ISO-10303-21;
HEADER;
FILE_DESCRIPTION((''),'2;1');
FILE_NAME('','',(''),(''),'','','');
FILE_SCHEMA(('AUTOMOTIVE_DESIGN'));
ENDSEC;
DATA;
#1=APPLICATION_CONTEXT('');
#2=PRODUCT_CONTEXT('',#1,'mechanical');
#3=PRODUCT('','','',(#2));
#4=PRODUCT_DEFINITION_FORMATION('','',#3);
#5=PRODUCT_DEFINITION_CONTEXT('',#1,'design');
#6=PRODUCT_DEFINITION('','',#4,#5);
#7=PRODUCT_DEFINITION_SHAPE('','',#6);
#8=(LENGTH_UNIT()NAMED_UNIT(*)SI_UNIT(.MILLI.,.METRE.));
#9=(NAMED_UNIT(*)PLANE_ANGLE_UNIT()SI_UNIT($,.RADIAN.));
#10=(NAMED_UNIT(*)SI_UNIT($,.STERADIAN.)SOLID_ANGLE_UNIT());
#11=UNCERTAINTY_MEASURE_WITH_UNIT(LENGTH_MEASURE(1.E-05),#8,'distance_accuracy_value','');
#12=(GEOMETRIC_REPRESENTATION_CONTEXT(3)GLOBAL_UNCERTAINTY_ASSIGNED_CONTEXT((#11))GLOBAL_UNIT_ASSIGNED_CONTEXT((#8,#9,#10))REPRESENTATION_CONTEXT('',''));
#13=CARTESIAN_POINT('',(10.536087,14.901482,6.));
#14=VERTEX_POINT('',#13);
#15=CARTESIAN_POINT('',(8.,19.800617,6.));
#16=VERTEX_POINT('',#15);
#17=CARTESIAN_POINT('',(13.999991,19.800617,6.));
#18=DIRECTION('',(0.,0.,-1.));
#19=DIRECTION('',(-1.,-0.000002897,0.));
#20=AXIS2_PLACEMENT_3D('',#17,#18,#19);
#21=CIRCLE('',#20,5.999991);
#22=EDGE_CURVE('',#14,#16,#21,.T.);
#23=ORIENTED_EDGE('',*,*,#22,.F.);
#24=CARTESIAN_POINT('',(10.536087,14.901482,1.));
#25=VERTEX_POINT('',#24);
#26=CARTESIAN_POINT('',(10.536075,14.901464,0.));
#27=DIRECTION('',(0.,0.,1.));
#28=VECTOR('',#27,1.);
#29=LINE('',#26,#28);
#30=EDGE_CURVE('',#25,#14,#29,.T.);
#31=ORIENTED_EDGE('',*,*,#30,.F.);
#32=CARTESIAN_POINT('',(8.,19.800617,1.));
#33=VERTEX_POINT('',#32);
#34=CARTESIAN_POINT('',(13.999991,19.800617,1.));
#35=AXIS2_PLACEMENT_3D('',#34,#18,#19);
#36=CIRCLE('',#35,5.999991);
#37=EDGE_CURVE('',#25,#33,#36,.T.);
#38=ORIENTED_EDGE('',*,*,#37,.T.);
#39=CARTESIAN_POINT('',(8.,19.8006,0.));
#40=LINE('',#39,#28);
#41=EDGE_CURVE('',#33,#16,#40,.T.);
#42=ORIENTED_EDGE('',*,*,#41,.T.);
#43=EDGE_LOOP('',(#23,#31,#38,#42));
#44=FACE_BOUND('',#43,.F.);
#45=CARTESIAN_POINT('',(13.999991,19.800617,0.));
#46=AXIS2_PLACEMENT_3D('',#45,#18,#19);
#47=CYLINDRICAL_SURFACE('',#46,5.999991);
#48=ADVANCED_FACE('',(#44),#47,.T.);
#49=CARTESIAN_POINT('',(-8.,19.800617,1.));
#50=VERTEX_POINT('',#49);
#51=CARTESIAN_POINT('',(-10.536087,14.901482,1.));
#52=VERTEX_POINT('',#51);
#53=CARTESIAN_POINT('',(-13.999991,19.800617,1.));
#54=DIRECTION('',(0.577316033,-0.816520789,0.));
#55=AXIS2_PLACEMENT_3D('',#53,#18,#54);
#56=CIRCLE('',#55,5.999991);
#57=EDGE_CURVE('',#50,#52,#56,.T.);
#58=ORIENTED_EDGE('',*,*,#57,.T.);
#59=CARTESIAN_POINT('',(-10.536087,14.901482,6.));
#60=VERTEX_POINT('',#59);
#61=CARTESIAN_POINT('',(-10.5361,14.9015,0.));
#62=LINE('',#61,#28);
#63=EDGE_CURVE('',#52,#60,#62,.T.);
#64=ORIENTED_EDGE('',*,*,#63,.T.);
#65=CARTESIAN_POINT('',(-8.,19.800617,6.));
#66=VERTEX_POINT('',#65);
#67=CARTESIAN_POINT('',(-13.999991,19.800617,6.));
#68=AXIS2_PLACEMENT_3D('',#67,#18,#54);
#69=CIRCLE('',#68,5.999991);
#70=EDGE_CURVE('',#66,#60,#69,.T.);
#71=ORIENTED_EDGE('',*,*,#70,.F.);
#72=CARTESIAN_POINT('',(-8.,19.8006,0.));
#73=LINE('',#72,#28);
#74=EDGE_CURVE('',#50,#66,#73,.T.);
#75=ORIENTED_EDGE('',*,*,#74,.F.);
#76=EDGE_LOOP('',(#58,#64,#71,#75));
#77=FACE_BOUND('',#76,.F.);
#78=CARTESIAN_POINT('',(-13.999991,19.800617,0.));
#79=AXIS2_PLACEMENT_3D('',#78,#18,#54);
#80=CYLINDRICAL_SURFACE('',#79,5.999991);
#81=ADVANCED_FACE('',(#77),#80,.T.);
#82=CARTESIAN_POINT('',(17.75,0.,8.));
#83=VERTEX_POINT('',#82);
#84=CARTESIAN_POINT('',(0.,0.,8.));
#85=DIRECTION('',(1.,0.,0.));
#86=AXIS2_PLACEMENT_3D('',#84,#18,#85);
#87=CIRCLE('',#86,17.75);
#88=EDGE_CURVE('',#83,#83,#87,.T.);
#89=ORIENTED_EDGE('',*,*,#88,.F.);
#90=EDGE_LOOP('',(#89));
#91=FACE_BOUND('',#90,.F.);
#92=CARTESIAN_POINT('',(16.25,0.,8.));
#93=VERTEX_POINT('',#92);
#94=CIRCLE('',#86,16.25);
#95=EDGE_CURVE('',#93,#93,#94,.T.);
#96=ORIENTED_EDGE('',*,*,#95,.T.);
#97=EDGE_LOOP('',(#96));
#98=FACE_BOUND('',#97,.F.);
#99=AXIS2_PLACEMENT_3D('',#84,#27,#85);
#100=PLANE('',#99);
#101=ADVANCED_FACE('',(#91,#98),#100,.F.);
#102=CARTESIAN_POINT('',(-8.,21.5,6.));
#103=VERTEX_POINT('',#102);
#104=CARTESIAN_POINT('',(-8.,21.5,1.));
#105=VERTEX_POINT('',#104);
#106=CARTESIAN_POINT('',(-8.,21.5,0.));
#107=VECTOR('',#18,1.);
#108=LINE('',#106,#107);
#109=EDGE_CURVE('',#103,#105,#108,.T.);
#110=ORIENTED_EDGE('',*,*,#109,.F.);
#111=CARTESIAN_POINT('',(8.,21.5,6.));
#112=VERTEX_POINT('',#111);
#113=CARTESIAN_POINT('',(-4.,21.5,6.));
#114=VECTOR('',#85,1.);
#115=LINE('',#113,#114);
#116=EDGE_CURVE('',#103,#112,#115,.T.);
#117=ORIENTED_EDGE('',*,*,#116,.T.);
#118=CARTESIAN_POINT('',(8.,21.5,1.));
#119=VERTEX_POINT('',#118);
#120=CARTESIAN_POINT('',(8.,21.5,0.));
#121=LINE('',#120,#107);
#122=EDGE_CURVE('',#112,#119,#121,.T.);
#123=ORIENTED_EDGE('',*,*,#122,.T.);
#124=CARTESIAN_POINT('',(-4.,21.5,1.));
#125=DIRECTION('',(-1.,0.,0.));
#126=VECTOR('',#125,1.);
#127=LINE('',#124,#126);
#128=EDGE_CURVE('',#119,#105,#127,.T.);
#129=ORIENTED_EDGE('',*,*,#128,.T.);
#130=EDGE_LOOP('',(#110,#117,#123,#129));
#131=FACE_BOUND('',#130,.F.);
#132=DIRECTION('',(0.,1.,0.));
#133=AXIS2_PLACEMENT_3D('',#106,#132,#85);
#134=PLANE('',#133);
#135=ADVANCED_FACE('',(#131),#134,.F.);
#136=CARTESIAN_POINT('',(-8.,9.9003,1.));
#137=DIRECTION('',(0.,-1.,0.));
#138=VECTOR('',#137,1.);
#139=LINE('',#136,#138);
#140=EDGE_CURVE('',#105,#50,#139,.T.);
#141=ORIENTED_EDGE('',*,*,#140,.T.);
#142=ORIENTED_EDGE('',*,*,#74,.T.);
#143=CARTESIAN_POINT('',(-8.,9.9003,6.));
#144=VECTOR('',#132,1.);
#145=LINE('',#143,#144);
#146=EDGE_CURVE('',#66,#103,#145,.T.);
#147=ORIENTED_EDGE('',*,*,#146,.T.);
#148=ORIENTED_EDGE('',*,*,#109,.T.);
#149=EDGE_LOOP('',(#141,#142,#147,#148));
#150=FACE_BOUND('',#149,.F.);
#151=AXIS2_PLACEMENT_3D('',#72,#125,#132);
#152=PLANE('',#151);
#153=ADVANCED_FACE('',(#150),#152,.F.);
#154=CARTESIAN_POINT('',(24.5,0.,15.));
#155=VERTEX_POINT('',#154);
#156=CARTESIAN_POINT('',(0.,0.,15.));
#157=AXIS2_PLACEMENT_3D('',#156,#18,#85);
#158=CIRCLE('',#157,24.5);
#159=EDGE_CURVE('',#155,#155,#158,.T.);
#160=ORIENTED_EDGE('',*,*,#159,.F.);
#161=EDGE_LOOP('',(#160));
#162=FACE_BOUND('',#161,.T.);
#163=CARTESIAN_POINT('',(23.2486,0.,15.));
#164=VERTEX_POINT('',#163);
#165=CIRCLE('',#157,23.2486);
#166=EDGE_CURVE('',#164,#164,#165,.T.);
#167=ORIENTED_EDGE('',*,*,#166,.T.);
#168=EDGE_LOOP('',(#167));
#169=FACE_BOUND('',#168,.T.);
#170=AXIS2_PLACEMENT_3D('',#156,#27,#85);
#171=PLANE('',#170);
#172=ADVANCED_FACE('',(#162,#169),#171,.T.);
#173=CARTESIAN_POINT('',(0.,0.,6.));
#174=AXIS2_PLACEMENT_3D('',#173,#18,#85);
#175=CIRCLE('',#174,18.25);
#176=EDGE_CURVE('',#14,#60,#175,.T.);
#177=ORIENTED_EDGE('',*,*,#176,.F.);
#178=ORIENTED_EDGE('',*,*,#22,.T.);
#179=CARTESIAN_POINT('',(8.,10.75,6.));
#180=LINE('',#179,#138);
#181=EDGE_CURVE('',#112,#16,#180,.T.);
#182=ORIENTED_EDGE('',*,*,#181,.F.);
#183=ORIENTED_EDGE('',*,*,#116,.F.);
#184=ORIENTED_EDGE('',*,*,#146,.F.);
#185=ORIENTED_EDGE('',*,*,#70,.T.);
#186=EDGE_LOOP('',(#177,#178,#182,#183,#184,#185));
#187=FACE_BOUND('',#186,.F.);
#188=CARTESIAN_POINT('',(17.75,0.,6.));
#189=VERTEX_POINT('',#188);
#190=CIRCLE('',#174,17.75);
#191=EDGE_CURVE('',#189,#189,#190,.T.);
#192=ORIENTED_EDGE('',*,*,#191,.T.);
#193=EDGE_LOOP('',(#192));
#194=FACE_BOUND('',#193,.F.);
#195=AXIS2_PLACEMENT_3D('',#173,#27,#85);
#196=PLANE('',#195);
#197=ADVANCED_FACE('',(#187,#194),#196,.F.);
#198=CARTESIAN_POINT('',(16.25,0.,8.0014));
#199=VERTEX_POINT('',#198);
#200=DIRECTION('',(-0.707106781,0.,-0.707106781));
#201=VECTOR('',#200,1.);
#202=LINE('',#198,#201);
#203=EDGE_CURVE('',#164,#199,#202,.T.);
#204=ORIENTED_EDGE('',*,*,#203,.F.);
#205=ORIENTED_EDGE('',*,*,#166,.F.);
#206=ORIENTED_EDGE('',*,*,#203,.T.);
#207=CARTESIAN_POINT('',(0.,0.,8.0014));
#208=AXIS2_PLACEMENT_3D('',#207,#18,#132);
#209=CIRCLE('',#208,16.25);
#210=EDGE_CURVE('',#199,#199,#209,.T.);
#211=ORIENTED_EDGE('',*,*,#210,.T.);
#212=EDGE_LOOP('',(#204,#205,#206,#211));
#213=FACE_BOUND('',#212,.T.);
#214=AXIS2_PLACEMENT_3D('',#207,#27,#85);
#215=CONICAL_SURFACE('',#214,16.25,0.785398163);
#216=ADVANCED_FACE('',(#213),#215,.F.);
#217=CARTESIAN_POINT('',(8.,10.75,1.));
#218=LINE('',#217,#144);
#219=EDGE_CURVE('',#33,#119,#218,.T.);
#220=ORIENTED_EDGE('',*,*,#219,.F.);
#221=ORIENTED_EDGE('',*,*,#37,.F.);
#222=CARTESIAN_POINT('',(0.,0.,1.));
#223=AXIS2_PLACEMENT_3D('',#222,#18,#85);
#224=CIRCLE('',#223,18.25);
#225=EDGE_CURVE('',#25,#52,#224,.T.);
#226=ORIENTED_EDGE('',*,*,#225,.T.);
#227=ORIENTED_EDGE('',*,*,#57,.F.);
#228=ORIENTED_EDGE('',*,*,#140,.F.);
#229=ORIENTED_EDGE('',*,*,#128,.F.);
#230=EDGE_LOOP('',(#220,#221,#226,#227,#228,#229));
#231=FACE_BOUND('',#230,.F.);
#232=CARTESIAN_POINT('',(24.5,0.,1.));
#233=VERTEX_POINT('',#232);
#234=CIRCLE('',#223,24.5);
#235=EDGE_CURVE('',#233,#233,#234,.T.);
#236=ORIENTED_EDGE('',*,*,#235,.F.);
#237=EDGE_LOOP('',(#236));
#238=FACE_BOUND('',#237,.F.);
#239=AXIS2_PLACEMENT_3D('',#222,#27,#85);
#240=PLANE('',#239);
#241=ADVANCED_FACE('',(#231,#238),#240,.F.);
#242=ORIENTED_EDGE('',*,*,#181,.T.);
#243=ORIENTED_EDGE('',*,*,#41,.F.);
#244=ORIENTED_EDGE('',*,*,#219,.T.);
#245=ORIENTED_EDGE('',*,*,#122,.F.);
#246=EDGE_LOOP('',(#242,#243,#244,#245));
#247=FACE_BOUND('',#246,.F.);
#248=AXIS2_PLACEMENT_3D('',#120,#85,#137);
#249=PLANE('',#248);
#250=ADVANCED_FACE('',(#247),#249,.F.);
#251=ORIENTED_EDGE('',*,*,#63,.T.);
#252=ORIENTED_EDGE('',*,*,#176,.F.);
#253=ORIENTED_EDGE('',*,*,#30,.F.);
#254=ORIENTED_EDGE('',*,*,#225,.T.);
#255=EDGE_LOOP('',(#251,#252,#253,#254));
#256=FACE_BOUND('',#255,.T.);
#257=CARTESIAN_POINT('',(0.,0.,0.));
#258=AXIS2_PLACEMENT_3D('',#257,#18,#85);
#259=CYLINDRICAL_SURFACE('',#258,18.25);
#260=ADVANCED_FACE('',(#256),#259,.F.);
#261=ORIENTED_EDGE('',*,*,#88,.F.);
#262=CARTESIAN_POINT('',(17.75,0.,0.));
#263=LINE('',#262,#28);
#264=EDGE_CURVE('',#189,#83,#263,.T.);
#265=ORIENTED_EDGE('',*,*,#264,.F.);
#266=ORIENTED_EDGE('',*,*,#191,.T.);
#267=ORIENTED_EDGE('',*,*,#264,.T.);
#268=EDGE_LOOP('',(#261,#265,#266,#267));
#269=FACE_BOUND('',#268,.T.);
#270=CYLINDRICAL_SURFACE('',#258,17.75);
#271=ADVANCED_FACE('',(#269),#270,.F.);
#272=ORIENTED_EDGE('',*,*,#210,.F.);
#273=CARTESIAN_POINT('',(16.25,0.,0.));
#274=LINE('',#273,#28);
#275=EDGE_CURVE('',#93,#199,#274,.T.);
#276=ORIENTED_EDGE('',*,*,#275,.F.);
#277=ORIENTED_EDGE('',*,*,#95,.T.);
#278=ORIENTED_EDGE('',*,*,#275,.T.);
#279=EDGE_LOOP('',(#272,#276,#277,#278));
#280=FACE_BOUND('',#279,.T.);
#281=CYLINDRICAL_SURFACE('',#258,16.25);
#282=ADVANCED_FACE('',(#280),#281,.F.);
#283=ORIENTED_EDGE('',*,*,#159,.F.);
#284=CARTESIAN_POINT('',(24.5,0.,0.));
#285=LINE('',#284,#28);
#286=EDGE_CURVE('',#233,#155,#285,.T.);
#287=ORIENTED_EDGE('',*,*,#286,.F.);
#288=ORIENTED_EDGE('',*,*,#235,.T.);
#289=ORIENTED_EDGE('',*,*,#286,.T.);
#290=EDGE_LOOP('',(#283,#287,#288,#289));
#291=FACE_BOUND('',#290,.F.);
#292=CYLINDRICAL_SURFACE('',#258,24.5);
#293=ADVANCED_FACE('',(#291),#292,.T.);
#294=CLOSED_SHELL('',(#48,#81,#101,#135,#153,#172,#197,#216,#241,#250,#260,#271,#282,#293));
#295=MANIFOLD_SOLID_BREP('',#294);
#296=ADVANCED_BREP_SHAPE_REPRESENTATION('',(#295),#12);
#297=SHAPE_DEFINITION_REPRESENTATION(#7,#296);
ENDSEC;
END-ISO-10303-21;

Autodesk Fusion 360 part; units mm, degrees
sketch "Sketch1" plane through (0, 0, 0) normal (0, 0, 1) x (1, 0, 0)
  circle A0 centre (0, 0) radius 18.25
  circle A1 centre (0, 0) radius 24.5
  circle A2 centre (0, 0) radius 17.75
  circle A3 centre (0, 0) radius 16.25
  dimension "d1" = 36.5
  dimension "d2" = 49
  dimension "d7" = 35.5
  dimension "d27" = 32.5
extrude "Extrude1" add sketch "Sketch1" along normal blind 15 contours A0 | A1 | A2
extrude "Extrude6" cut sketch "Sketch1" along normal blind 8 contours A2
extrude "Extrude2" cut sketch "Sketch1" along normal blind 6 contours A0
sketch "Sketch5" plane through (0, 0, 0) normal (0, 0, 1) x (1, 0, 0)
  line L0 (-8, 21.5) -> (8, 21.5)
  line L1 (8, 21.5) -> (8, 19.8006)
  line L2 (8, -21.5) -> (-8, -21.5)
  line L3 (-8, 19.8006) -> (-8, 21.5)
  line L4 (-8, 21.5) -> (8, -21.5) construction
  line L5 (8, 21.5) -> (-8, -21.5) construction
  circle A0 centre (0, 0) radius 18.25
  arc A1 (-10.5361, 14.9015) -> (10.5361, 14.9015) centre (0, 0) ccw
  arc A2 (8, 19.8006) -> (10.5361, 14.9015) centre (14, 19.8006) ccw
  arc A3 (-10.5361, 14.9015) -> (-8, 19.8006) centre (-14, 19.8006) ccw
  dimension "d31" = 16
  dimension "d32" = 43
  dimension "d33" = 6
  dimension "d34" = 6
extrude "Extrude7" cut sketch "Sketch5" along normal blind 6 contours L0 L1 L3 A0 A2 A3
chamfer "Chamfer3" distance 7 angle 45 1 edges at (-15.1503, 5.8763, 15)
move_face "OffsetFaces1" offset -1 1 faces at (0, -22.371, 0)
